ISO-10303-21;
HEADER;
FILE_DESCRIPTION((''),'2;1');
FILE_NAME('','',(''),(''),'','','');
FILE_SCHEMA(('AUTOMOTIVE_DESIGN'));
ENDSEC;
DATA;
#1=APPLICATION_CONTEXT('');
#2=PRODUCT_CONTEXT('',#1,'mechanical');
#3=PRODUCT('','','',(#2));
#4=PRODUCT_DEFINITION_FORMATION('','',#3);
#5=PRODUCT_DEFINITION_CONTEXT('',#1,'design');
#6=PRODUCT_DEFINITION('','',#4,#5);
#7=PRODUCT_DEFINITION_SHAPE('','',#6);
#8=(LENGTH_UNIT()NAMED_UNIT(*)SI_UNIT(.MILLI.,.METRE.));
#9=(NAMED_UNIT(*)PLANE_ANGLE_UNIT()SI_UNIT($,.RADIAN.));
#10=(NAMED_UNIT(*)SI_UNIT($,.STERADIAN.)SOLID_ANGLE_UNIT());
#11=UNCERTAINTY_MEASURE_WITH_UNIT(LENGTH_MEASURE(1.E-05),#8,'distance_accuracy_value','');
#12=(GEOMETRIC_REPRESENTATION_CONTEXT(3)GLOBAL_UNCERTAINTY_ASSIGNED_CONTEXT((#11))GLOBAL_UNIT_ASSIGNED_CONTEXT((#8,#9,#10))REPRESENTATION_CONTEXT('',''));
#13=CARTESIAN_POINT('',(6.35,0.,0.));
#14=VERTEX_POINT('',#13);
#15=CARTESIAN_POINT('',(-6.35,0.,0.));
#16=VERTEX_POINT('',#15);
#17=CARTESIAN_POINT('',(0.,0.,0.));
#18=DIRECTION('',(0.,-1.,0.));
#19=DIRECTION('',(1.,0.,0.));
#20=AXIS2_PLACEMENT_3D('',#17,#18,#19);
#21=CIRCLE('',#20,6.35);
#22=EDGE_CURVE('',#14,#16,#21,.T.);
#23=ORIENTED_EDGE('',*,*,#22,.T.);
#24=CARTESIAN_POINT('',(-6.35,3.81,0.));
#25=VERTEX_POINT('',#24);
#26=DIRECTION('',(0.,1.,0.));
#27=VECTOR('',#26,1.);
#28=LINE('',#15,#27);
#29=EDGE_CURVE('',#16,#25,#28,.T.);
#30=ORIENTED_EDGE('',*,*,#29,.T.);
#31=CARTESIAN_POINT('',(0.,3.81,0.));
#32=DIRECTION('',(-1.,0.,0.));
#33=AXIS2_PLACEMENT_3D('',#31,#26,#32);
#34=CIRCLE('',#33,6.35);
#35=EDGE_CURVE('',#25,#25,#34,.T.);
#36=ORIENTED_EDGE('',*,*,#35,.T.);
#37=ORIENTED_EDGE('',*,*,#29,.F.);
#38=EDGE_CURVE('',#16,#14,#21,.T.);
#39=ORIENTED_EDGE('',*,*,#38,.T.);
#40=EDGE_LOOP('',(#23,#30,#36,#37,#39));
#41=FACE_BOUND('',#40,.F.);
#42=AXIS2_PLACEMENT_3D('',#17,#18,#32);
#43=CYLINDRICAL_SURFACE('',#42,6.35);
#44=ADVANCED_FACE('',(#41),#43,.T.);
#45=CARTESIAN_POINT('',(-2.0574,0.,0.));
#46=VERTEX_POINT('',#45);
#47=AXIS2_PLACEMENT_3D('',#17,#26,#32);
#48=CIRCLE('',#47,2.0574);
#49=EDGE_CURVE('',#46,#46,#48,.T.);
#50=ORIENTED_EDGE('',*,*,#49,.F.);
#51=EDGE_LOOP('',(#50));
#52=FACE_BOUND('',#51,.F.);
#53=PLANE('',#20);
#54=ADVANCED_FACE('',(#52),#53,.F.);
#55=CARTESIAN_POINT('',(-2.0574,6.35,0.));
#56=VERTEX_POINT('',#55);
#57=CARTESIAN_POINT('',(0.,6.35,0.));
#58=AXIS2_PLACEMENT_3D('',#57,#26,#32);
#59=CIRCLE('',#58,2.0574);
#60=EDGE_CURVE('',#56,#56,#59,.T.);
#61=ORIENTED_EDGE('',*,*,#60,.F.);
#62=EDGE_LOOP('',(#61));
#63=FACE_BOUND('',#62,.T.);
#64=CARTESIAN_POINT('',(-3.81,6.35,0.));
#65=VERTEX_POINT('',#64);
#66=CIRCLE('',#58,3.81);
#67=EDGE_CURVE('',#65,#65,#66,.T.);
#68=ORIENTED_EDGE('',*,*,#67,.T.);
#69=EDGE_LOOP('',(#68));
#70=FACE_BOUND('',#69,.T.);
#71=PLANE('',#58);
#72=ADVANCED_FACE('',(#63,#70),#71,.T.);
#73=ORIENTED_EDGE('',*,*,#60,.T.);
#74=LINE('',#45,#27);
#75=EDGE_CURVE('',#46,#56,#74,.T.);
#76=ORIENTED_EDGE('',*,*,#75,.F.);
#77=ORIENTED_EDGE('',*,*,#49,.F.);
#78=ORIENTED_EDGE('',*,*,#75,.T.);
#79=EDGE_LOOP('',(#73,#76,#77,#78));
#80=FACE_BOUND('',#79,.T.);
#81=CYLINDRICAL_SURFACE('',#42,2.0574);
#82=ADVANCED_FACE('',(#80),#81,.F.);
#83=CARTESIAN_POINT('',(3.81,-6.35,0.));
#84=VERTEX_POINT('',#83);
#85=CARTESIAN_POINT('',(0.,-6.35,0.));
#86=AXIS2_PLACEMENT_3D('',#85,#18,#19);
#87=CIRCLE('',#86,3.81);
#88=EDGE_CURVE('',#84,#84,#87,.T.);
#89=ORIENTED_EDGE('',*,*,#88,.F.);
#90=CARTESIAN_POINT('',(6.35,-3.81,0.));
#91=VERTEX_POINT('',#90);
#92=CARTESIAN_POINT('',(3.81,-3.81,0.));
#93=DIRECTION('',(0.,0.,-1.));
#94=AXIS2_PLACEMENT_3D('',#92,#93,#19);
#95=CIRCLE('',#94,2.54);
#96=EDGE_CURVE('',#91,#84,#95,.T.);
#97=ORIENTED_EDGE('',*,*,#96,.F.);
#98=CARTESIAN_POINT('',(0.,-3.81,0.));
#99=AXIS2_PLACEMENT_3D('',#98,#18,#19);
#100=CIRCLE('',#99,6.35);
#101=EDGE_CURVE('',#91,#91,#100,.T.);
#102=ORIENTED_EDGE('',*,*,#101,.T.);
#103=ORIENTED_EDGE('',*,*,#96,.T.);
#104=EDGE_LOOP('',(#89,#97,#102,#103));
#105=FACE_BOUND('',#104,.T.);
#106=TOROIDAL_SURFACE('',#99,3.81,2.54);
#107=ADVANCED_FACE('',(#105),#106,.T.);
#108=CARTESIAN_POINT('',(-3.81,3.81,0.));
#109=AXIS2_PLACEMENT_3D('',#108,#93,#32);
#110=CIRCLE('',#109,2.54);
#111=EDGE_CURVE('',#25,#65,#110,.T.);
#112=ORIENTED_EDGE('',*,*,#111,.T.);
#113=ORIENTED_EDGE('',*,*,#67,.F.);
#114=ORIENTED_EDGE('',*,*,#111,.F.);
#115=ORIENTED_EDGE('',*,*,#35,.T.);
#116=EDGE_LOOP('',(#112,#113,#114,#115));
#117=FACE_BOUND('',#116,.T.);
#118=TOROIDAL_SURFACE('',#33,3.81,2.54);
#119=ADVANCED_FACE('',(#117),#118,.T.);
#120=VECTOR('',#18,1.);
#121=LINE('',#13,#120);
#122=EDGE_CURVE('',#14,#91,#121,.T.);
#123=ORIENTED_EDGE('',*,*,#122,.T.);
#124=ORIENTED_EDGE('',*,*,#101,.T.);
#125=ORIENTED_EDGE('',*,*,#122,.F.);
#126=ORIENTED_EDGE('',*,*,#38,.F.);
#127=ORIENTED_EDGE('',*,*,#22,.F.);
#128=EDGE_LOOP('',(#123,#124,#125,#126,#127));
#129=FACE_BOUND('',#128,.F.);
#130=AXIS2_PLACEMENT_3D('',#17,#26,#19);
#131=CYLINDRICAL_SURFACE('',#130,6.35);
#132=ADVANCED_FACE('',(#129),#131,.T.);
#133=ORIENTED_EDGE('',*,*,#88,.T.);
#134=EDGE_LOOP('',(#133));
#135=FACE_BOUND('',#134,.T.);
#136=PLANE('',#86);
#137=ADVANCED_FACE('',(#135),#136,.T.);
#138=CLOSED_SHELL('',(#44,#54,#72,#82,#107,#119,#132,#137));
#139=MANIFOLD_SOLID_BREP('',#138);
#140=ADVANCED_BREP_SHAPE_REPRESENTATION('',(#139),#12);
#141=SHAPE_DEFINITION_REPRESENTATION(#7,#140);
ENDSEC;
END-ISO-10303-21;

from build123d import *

# Parameters (mm, degrees)
F0_R     = 6.35
F1_DEPTH = 6.35
F2_R     = 6.35
F2_R_2   = 2.0574
F3_DEPTH = 6.35
F4_R     = 2.54


with BuildPart() as f1:
    # F0 (on Front) → F1 (new body)
    with BuildSketch(Plane.XZ):
        Circle(F0_R)
    extrude(amount=F1_DEPTH)

    # F2 (on face) → F3 (join)
    with BuildSketch(Plane(origin=(0, 0, 0), x_dir=(-1, 0, 0), z_dir=(0, 1, 0))):
        Circle(F2_R)
        Circle(F2_R_2, mode=Mode.SUBTRACT)
    extrude(amount=F3_DEPTH)

    # F4
    f4_edges = [f1.edges().sort_by_distance(p)[0] for p in [
        (-6.35, -6.35, 0),
        (6.35, 6.35, 0),
    ]]
    fillet(f4_edges, radius=F4_R)


solid = f1.part
